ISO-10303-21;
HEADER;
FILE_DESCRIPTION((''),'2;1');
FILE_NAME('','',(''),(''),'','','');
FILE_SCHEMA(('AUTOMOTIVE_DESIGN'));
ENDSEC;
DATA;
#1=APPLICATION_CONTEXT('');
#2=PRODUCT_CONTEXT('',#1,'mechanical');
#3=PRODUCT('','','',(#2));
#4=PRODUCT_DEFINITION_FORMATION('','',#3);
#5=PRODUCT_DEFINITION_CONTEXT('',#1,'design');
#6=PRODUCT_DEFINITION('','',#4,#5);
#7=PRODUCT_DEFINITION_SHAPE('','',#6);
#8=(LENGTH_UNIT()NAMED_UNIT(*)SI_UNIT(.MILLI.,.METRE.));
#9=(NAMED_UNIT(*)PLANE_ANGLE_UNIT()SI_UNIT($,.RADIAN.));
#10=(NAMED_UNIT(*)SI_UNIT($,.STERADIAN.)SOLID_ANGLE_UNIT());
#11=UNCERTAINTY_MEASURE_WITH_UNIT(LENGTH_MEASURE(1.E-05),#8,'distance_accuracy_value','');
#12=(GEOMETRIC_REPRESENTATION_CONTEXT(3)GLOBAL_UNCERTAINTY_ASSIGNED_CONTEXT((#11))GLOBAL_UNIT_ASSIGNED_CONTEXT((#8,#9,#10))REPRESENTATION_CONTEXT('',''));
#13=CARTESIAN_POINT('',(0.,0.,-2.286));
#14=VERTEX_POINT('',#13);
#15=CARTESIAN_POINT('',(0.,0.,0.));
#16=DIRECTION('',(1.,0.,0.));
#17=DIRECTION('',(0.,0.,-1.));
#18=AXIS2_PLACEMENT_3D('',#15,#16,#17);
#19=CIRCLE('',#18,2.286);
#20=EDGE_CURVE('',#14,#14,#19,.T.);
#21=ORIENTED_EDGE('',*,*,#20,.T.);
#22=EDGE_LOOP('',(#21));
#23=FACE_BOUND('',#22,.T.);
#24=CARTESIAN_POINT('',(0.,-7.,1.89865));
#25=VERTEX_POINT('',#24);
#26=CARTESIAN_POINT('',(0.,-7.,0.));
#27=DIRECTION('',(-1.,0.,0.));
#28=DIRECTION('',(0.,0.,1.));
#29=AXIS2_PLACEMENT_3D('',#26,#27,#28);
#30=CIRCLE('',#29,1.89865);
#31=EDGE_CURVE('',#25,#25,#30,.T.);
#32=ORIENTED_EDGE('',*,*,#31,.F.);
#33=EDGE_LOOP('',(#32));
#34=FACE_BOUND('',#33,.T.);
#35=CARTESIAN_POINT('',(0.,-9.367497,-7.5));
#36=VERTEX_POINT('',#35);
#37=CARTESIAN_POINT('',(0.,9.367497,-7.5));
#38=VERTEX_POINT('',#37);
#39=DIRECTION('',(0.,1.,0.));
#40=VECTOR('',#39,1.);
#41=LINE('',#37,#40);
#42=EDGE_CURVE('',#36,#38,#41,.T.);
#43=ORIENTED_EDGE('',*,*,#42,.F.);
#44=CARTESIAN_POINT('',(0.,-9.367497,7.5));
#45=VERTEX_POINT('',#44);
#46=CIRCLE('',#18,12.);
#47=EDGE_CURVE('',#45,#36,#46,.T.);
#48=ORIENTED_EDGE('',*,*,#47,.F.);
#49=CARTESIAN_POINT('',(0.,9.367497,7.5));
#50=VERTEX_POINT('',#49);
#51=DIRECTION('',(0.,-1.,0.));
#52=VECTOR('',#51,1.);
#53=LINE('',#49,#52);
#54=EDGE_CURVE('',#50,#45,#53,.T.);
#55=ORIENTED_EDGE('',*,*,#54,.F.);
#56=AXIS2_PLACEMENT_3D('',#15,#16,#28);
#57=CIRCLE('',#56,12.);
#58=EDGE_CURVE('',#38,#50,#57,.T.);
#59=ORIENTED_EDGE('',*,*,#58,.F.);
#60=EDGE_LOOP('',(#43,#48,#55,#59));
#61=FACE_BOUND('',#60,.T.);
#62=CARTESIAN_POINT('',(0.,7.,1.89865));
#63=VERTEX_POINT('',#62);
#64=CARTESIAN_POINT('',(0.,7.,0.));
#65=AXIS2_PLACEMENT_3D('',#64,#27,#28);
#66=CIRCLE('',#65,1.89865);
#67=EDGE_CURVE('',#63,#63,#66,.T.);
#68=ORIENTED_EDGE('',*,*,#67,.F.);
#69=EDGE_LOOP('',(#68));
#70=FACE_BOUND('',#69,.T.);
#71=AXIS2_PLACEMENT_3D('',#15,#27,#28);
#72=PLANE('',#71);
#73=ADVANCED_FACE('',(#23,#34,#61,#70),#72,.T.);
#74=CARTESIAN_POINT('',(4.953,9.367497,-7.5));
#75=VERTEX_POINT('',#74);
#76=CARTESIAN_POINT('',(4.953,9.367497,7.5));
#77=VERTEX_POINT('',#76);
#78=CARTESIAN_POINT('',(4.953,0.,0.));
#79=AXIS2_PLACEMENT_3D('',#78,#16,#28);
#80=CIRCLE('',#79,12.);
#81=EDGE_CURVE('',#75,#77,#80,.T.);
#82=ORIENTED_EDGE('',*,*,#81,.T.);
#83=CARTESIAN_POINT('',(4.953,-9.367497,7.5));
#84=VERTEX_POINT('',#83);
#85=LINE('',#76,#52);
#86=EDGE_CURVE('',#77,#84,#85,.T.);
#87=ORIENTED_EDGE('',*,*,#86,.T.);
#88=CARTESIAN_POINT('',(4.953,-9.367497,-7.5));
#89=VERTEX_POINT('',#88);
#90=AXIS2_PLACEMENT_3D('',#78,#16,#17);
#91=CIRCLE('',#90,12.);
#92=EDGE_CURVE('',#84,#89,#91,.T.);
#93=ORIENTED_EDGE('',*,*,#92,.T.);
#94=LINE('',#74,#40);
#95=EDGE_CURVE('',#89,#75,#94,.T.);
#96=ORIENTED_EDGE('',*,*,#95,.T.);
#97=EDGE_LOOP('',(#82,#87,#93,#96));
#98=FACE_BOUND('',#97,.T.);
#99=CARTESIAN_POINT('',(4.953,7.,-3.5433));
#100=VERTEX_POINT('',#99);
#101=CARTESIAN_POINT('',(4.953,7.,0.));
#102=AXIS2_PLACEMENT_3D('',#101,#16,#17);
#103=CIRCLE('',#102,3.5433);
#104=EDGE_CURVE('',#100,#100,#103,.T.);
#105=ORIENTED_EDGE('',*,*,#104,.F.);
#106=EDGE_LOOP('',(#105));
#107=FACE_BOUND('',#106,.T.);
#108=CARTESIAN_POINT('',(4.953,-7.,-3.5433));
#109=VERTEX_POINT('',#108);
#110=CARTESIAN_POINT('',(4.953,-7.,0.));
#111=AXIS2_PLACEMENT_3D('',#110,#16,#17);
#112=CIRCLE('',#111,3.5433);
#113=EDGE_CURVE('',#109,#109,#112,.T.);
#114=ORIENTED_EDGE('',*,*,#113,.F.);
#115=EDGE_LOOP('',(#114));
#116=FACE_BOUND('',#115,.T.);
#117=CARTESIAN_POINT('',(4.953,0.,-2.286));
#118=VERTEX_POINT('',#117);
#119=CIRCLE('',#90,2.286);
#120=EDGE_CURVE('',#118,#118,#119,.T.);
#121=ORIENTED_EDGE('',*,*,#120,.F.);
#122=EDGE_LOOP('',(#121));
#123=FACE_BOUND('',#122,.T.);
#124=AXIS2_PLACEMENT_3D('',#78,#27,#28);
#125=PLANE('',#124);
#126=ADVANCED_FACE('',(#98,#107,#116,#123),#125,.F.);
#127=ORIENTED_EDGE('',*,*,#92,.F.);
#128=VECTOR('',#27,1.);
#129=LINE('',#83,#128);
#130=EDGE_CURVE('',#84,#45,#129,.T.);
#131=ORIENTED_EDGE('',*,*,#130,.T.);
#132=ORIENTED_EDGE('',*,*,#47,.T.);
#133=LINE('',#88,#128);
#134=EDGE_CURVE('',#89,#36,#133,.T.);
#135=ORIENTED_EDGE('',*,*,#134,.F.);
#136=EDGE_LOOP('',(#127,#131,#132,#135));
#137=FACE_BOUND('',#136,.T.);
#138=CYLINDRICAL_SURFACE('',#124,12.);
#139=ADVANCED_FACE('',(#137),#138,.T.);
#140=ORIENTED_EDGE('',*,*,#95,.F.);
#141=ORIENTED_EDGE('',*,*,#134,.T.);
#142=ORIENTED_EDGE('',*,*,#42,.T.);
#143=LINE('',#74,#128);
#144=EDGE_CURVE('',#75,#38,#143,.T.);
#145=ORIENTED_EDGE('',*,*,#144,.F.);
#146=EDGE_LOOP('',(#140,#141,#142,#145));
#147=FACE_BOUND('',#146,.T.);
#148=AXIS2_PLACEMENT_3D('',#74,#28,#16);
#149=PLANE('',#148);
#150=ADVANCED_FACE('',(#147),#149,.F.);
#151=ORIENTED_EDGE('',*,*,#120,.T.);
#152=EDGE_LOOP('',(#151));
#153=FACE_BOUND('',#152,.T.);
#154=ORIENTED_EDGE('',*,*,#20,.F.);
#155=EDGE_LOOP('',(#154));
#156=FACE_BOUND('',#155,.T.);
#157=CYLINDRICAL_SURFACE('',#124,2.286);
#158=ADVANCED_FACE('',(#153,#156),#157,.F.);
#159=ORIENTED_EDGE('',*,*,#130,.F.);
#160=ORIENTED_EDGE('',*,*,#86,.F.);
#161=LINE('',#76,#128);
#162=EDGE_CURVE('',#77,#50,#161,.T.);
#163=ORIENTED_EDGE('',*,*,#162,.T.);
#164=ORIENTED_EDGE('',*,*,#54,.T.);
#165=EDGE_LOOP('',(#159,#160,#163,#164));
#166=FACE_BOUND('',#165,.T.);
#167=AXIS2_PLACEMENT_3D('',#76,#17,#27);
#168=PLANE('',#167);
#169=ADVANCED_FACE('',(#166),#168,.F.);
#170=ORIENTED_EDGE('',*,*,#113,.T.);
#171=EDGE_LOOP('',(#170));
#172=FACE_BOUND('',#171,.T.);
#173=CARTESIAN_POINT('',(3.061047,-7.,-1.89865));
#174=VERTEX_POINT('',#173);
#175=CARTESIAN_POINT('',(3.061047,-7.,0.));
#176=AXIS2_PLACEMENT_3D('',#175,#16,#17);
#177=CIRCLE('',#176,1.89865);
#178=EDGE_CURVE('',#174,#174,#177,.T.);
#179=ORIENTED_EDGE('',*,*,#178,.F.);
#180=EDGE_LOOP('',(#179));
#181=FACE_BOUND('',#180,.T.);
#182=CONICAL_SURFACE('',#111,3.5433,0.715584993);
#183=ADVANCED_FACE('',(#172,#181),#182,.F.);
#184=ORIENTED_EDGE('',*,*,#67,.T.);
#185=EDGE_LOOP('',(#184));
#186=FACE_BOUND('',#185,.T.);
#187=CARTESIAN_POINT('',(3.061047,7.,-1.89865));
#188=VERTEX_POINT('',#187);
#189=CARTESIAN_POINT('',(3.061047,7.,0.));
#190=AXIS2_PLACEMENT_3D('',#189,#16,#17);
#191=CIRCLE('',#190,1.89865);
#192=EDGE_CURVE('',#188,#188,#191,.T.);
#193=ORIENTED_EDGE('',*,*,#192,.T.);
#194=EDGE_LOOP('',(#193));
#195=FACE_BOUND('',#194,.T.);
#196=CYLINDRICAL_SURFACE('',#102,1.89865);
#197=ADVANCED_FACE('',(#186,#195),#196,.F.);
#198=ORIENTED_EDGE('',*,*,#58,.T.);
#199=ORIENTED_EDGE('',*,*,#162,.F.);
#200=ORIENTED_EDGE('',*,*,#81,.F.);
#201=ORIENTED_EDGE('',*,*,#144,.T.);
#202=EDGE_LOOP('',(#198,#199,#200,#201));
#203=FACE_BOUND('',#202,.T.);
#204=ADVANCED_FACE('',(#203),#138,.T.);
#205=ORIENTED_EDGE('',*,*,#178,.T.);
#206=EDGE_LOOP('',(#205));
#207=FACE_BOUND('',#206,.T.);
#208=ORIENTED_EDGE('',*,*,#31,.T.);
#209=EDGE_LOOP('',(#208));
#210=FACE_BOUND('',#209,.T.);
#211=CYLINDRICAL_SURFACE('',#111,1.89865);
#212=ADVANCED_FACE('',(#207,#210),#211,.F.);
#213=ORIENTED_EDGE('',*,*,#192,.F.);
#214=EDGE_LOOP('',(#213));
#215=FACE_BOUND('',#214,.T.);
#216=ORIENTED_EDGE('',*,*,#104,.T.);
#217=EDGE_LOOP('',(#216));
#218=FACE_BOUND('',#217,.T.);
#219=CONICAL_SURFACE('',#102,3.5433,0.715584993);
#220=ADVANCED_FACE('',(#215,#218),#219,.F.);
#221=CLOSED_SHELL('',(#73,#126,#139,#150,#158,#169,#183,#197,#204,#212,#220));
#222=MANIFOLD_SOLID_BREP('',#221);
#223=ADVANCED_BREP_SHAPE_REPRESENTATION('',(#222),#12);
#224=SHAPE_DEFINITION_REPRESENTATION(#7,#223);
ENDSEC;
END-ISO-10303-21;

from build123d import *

# Parameters (mm, degrees)
SKETCH1_R                                      = 1.7272
SKETCH1_R_2                                    = 2.286
BOSS_EXTRUDE1_DEPTH                            = 4.953
CSK_FOR_6_FLAT_HEAD_MACHINE_SCREW1_D           = 3.7973
CSK_FOR_6_FLAT_HEAD_MACHINE_SCREW1_DEPTH       = 10.973
CSK_FOR_6_FLAT_HEAD_MACHINE_SCREW1_CSINK_D     = 7.0866
CSK_FOR_6_FLAT_HEAD_MACHINE_SCREW1_CSINK_ANGLE = 82
CSK_FOR_6_FLAT_HEAD_MACHINE_SCREW1_TIP         = 1.140824014


with BuildPart() as part:
    # Sketch1 → Boss-Extrude1 (new body)
    with BuildSketch(Plane(origin=(0, 0, 0), x_dir=(0, 0, -1), z_dir=(1, 0, 0))):
        with BuildLine():
            Line((-7.5, 9.367496998), (-7.5, -9.367496998))
            ThreePointArc((-7.5, -9.367496998), (0, -12), (7.5, -9.367496998))
            Line((7.5, -9.367496998), (7.5, 9.367496998))
            ThreePointArc((7.5, 9.367496998), (0, 12), (-7.5, 9.367496998))
        make_face()
        with Locations((0, 7)):
            Circle(SKETCH1_R, mode=Mode.SUBTRACT)
        with Locations((0, -7)):
            Circle(SKETCH1_R, mode=Mode.SUBTRACT)
        Circle(SKETCH1_R_2, mode=Mode.SUBTRACT)
    extrude(amount=BOSS_EXTRUDE1_DEPTH)

    # CSK for #6 Flat Head Machine Screw1
    with Locations(Plane(origin=(4.953, 0, 0), x_dir=(0, 0, -1), z_dir=(1, 0, 0))):
        with Locations((0, -7), (0, 7)):
            CounterSinkHole(CSK_FOR_6_FLAT_HEAD_MACHINE_SCREW1_D / 2, CSK_FOR_6_FLAT_HEAD_MACHINE_SCREW1_CSINK_D / 2, depth=CSK_FOR_6_FLAT_HEAD_MACHINE_SCREW1_DEPTH, counter_sink_angle=CSK_FOR_6_FLAT_HEAD_MACHINE_SCREW1_CSINK_ANGLE)
            with Locations((0, 0, -(CSK_FOR_6_FLAT_HEAD_MACHINE_SCREW1_DEPTH + CSK_FOR_6_FLAT_HEAD_MACHINE_SCREW1_TIP / 2))):  # 118° drill point
                Cone(0, CSK_FOR_6_FLAT_HEAD_MACHINE_SCREW1_D / 2, CSK_FOR_6_FLAT_HEAD_MACHINE_SCREW1_TIP, mode=Mode.SUBTRACT)


solid = part.part
